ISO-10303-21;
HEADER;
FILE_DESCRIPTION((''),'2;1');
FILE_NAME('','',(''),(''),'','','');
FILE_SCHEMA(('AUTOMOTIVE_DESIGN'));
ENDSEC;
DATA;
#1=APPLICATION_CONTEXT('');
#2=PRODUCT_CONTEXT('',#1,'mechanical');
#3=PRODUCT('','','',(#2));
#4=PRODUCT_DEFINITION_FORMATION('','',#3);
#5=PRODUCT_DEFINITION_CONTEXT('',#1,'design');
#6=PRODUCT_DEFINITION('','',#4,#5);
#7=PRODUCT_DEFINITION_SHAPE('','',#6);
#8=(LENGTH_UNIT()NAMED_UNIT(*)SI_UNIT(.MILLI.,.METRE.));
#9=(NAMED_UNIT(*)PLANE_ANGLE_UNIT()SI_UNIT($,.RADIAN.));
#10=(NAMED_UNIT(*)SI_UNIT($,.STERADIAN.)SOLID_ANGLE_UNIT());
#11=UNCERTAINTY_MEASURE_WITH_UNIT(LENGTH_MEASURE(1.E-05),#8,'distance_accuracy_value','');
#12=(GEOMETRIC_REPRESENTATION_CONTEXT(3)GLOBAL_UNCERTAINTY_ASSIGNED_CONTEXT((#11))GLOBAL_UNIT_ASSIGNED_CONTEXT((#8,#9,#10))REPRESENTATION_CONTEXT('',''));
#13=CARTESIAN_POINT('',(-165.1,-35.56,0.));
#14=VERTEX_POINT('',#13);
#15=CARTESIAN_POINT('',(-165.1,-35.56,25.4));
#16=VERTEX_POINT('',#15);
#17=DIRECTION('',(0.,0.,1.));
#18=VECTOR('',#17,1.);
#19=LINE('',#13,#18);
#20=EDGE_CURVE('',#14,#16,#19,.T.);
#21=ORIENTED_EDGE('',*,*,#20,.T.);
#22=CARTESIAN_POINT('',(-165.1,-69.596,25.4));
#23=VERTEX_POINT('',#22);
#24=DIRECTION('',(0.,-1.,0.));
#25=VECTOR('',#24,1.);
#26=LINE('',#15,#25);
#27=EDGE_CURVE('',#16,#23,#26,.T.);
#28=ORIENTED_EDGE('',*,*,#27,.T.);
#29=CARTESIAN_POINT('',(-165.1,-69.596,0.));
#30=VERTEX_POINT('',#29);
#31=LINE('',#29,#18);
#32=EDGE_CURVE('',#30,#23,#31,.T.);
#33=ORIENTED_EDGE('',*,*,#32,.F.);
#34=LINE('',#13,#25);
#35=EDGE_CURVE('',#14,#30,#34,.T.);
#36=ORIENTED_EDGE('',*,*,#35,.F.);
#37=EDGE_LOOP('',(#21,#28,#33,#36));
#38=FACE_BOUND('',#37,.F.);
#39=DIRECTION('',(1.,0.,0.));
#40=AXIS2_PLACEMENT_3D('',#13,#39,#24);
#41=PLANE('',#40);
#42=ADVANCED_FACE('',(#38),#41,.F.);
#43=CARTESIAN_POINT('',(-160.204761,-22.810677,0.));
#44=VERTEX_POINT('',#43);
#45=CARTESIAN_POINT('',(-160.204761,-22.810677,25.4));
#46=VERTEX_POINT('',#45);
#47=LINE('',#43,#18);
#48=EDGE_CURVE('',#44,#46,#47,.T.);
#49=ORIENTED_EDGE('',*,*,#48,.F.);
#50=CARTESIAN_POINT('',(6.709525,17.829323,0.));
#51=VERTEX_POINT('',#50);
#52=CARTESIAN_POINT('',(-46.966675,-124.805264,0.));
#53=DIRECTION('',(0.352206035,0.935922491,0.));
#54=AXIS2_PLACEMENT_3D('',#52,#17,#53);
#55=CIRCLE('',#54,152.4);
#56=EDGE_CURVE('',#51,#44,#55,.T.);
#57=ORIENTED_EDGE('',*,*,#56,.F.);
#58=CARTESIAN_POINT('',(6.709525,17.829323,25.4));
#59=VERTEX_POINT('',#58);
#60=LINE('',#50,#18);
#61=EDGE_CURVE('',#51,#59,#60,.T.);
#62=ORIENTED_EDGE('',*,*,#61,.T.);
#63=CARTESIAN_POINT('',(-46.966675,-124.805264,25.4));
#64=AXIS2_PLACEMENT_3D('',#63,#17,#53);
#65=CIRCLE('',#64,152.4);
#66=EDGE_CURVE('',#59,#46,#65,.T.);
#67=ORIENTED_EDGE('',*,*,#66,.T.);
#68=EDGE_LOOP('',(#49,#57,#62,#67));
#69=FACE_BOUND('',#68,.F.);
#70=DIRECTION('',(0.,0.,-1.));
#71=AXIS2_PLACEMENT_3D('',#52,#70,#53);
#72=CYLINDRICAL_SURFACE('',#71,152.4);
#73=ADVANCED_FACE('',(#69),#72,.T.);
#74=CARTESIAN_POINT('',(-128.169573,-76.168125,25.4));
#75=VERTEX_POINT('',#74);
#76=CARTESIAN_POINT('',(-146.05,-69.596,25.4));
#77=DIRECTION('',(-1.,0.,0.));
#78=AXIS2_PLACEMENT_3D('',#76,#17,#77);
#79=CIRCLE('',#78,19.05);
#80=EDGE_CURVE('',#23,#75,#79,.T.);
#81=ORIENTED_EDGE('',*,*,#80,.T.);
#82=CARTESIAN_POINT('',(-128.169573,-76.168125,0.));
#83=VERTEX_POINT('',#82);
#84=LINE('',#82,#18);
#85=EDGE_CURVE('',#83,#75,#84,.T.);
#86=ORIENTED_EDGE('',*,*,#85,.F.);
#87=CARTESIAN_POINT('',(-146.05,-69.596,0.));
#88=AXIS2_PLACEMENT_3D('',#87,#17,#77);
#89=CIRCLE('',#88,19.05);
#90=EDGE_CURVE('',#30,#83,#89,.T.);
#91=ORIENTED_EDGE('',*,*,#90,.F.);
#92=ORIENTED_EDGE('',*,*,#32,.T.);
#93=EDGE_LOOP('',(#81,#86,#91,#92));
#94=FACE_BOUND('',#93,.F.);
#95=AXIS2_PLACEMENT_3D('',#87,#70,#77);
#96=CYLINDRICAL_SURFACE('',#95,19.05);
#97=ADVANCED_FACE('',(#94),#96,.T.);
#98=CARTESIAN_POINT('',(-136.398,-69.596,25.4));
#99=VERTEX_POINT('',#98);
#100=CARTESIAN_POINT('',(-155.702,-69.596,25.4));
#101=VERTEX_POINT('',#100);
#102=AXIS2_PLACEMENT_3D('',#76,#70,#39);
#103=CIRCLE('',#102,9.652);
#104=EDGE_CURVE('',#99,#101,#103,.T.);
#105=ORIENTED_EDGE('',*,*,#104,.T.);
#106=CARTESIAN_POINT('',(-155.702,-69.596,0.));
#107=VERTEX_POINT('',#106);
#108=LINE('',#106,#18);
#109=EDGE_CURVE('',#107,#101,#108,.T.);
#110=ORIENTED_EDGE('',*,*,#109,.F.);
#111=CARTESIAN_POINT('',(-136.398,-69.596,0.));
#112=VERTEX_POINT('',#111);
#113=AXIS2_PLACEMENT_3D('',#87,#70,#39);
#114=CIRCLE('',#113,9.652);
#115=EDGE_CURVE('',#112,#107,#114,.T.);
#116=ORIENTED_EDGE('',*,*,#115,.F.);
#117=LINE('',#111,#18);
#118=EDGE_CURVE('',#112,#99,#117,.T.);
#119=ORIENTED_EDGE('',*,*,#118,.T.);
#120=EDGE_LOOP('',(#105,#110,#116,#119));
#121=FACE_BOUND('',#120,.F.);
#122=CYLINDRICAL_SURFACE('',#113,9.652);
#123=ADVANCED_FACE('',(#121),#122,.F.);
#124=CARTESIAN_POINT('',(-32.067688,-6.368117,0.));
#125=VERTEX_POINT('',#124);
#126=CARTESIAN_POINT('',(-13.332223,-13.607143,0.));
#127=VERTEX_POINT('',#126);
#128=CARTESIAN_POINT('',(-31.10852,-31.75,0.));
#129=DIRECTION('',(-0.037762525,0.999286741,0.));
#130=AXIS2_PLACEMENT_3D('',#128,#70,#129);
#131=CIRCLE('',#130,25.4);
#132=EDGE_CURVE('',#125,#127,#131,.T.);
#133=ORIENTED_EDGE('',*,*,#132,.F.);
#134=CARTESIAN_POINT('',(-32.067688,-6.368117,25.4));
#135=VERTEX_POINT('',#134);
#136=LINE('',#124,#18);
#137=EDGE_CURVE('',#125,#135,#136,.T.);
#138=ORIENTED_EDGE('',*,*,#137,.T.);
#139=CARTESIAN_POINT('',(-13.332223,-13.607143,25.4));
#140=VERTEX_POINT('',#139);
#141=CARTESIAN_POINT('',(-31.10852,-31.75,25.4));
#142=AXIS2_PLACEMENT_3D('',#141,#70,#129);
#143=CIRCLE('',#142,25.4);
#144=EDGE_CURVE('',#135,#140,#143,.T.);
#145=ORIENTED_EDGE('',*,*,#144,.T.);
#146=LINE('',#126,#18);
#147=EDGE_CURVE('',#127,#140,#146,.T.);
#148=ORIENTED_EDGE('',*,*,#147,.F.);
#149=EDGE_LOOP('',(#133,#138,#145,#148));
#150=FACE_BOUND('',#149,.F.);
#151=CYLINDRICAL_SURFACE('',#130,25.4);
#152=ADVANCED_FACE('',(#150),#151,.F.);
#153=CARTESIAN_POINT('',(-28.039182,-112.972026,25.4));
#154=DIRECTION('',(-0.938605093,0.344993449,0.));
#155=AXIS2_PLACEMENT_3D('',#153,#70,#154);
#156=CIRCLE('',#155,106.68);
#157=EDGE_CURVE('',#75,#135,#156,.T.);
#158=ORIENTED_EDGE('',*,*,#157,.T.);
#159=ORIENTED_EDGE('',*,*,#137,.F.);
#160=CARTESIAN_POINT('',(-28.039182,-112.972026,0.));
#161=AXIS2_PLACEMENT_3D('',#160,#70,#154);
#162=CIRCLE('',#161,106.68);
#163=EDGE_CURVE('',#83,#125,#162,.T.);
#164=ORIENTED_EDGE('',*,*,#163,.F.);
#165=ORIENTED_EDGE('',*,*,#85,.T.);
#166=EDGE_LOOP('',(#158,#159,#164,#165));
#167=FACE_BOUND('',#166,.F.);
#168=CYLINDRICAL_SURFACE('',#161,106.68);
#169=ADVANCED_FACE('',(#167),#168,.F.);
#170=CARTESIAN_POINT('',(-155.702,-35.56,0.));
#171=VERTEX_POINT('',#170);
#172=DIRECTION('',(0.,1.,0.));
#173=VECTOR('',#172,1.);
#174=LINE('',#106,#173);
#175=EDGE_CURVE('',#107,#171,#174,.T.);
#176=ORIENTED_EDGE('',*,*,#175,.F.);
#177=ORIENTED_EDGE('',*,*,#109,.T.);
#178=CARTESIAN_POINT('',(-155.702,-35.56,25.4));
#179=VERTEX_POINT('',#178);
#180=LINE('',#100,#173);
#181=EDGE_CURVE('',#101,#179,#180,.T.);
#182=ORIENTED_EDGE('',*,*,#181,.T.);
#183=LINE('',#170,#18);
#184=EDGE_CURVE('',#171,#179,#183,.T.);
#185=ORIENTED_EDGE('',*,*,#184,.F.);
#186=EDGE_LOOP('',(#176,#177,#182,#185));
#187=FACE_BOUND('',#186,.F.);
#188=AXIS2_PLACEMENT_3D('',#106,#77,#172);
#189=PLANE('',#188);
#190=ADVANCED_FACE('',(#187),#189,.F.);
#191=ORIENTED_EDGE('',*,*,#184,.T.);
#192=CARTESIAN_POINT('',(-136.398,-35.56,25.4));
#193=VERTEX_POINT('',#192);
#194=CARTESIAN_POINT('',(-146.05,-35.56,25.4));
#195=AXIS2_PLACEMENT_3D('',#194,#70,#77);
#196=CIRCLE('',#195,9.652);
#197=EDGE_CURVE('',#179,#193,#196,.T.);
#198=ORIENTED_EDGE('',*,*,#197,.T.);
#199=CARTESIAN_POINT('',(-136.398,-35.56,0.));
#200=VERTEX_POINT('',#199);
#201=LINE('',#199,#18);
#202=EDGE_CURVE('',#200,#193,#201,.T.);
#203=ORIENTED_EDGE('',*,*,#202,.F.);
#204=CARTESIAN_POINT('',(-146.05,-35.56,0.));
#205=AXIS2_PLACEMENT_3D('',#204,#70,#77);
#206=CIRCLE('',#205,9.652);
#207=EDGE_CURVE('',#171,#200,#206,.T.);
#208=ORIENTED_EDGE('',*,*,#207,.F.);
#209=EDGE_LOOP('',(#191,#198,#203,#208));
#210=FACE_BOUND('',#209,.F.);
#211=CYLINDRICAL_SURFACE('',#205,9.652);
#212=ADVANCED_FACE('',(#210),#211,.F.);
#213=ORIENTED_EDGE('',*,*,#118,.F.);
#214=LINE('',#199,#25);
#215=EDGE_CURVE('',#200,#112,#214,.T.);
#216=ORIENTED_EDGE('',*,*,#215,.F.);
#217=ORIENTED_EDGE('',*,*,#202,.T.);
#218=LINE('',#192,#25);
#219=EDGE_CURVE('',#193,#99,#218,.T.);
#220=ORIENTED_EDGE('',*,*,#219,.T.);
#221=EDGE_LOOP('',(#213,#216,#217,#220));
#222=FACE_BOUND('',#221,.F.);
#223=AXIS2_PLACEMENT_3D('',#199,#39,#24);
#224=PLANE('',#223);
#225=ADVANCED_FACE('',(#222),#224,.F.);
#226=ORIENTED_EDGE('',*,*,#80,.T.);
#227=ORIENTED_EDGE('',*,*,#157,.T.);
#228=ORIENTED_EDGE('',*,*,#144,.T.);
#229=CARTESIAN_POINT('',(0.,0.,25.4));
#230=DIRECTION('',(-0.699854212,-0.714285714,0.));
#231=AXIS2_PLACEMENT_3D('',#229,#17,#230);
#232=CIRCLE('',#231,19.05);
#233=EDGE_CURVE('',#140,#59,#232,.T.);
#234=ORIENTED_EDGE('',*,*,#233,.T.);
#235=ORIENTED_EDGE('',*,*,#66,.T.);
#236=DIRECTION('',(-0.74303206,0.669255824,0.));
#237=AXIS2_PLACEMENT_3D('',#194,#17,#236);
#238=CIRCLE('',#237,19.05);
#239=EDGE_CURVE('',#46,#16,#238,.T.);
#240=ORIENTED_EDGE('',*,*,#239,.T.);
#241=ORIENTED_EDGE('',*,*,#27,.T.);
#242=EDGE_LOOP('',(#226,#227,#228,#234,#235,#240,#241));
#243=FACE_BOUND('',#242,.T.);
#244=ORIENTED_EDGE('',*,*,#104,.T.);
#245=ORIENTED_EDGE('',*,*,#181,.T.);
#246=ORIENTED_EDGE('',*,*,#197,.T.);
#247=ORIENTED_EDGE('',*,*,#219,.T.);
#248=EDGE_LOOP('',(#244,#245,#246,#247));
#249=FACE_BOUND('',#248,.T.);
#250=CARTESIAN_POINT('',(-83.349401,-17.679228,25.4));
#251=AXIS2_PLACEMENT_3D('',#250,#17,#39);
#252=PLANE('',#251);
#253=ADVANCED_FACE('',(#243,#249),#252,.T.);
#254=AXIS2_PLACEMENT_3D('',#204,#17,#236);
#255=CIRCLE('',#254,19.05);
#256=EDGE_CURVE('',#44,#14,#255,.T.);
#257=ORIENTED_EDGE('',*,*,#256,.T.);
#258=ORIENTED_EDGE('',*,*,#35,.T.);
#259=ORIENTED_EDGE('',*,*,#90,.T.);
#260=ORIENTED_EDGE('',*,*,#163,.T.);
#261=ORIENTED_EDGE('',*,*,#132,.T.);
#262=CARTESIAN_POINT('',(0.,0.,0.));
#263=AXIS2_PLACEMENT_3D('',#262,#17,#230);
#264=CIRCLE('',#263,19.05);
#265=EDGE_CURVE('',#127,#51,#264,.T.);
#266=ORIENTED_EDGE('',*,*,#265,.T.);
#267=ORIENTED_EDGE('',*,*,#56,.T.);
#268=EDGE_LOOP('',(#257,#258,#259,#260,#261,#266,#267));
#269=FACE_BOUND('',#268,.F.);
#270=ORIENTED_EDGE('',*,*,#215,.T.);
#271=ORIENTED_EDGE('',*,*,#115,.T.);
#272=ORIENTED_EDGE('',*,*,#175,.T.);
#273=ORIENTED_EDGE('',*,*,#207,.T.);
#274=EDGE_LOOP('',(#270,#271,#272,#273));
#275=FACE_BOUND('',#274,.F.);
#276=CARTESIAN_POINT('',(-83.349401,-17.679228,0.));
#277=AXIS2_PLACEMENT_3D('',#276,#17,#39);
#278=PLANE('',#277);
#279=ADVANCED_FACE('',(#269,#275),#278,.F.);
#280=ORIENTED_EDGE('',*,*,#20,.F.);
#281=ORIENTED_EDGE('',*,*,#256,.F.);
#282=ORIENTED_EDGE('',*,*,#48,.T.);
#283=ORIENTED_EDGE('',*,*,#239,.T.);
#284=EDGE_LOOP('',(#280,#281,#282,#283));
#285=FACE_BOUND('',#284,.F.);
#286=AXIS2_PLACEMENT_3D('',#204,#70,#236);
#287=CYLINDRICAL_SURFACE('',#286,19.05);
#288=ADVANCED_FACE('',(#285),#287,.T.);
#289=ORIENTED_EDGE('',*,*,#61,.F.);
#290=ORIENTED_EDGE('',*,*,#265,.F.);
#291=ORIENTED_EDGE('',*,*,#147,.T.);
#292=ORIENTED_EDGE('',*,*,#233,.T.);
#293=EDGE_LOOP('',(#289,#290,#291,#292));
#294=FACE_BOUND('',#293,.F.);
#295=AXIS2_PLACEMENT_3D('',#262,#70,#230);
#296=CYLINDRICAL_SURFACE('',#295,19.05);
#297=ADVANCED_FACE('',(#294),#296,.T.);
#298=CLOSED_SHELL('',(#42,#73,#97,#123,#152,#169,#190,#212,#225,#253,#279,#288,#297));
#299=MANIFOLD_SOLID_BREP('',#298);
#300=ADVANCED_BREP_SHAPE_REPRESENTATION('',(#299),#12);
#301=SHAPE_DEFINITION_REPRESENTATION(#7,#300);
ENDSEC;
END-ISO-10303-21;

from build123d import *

# Parameters (mm, degrees)
BOSS_EXTRUDE1_DEPTH = 25.4


with BuildPart() as part:
    # Sketch1 → Boss-Extrude1 (new body)
    with BuildSketch(Plane.XY):
        with BuildLine():
            Line((-165.1, -35.56), (-165.1, -69.596))
            ThreePointArc((-165.1, -69.596), (-149.387691218, -88.351327705), (-128.169572983, -76.168125204))
            ThreePointArc((-128.169572983, -76.168125204), (-90.731121166, -26.656656194), (-32.067687872, -6.368116766))
            ThreePointArc((-32.067687872, -6.368116766), (-21.95402191, -8.057064985), (-13.332222743, -13.607142857))
            ThreePointArc((-13.332222743, -13.607142857), (16.063246399, -10.240830783), (6.709524974, 17.829323448))
            ThreePointArc((6.709524974, 17.829323448), (-83.019510627, 23.268882931), (-160.20476074, -22.810676552))
            ThreePointArc((-160.20476074, -22.810676552), (-163.834131861, -28.731592137), (-165.1, -35.56))
        make_face()
        with BuildLine():
            Line((-136.398, -35.56), (-136.398, -69.596))
            ThreePointArc((-136.398, -69.596), (-146.05, -79.248), (-155.702, -69.596))
            Line((-155.702, -69.596), (-155.702, -35.56))
            ThreePointArc((-155.702, -35.56), (-146.05, -25.908), (-136.398, -35.56))
        make_face(mode=Mode.SUBTRACT)
    extrude(amount=BOSS_EXTRUDE1_DEPTH)


solid = part.part
